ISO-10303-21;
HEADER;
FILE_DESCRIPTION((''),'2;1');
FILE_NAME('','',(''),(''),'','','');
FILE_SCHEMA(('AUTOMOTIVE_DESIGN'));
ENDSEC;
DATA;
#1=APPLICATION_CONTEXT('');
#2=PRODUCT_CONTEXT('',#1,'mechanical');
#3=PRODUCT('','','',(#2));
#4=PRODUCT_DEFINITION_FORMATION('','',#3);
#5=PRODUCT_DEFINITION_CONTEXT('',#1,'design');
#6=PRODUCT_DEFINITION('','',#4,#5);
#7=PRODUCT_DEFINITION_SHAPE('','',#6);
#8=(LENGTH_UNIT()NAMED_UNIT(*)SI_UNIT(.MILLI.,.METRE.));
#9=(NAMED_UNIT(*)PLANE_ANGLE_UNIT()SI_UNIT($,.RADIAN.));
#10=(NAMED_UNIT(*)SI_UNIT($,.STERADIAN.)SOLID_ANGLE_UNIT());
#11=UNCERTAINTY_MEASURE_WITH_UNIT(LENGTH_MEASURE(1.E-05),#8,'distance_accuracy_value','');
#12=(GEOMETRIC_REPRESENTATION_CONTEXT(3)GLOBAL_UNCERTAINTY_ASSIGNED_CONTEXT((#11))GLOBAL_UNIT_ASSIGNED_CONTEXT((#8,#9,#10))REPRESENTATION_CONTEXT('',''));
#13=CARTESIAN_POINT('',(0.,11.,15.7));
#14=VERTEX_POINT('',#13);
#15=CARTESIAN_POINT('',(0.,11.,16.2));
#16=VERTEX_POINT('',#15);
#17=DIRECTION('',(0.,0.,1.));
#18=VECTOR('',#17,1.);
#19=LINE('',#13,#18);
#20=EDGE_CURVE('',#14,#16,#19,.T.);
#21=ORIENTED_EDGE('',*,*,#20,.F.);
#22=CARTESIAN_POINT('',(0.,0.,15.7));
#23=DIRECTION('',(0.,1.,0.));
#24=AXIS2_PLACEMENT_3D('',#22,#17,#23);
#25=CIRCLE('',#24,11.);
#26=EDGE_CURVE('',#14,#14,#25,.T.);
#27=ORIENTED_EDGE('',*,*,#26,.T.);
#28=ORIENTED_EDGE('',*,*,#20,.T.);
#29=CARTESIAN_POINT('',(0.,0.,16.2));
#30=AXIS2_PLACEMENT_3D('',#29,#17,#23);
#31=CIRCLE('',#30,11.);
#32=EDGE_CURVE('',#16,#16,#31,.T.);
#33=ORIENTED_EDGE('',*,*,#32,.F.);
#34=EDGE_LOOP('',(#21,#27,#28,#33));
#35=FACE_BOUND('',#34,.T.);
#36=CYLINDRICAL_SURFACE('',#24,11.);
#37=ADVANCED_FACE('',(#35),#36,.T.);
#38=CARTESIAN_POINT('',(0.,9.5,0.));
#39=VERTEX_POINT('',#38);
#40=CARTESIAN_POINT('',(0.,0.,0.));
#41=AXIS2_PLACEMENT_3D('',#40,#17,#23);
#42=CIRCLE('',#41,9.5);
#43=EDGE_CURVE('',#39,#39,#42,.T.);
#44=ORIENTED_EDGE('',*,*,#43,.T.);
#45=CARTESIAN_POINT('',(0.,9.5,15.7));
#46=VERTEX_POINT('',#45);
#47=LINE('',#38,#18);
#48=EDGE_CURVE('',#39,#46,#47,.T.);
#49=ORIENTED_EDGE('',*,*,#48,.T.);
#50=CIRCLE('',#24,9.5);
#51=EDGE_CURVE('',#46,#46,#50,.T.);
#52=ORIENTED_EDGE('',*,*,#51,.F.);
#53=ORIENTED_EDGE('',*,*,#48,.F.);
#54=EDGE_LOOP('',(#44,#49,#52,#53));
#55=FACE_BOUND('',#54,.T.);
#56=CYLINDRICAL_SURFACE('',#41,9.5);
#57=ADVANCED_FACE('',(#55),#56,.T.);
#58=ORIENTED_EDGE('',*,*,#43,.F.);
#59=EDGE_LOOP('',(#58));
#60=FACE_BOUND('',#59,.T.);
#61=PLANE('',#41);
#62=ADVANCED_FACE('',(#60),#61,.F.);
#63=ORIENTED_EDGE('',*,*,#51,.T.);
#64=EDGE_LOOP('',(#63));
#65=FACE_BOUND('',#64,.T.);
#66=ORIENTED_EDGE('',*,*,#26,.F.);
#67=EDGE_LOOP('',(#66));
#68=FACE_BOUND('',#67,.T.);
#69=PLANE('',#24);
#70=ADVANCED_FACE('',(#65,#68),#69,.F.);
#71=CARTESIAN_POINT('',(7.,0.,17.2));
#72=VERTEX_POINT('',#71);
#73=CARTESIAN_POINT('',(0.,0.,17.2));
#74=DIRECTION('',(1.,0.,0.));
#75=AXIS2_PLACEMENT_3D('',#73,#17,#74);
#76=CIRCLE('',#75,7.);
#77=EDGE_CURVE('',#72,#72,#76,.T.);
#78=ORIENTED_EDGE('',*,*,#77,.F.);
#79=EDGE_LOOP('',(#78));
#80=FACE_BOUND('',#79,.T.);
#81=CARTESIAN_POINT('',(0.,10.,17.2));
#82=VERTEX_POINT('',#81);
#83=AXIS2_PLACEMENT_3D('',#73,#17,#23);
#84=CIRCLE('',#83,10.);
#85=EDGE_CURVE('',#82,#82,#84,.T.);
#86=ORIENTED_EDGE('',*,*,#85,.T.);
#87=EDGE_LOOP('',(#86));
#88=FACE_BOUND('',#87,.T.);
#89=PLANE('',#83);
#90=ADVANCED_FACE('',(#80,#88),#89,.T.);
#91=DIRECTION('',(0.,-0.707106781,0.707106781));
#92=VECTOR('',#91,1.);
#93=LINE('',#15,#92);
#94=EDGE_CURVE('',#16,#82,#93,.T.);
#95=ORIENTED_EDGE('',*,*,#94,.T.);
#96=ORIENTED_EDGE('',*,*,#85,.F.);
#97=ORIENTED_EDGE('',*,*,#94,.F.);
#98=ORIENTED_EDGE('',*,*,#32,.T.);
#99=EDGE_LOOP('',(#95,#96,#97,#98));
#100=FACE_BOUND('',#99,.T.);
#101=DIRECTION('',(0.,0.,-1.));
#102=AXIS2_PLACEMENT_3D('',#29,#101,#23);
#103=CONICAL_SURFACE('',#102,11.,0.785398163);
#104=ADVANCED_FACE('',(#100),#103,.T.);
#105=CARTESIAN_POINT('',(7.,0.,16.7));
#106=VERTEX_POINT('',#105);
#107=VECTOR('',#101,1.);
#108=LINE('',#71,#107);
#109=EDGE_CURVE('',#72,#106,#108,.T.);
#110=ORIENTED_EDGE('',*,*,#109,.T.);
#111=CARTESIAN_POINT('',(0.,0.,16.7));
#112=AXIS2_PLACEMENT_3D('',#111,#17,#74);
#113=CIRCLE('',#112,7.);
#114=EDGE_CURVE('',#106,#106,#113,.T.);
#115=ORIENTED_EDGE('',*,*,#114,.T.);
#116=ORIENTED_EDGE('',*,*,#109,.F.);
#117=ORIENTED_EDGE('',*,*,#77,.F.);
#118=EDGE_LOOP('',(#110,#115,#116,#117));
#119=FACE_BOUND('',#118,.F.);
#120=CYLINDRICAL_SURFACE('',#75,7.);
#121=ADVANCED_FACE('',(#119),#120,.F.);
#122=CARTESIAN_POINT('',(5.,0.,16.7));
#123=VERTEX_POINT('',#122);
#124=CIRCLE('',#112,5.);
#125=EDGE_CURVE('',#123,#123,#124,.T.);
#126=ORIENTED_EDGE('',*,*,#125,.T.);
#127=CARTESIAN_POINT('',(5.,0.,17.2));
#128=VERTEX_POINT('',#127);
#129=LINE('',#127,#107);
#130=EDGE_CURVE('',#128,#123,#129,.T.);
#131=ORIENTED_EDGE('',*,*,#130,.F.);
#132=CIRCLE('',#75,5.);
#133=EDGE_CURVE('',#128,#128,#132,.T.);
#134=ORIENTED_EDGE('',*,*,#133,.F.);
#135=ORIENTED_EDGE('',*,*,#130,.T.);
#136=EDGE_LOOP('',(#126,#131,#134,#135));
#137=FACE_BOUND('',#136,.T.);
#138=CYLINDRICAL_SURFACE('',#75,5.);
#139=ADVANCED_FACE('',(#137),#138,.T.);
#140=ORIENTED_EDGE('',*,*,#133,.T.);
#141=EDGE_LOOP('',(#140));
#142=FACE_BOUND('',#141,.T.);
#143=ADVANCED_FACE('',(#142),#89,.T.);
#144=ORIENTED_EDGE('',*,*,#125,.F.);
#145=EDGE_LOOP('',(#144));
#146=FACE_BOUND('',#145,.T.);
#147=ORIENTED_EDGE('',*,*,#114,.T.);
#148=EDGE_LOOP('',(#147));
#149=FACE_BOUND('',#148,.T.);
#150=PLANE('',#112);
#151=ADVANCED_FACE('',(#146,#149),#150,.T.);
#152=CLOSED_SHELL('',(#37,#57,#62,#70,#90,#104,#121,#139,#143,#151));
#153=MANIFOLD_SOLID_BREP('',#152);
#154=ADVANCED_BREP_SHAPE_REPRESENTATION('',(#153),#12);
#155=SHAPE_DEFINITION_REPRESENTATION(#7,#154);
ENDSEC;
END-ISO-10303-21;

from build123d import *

# Parameters (mm, degrees)
F2_R     = 7
F2_R_2   = 5
F3_DEPTH = 0.5


with BuildPart() as f1:
    # F0 (on Right) → F1 (revolve)
    with BuildSketch(Plane.YZ):
        Polygon((0, 17.2), (0, 0), (9.5, 0), (9.5, 15.7), (11, 15.7), (11, 16.2), (10, 17.2), align=None)
    revolve(axis=Axis((0, 0, 8.6), (0, 0, 1)))

    # F2 (on face) → F3 (cut)
    with BuildSketch(Plane.XY.offset(17.2)):
        Circle(F2_R)
        Circle(F2_R_2, mode=Mode.SUBTRACT)
    extrude(amount=-F3_DEPTH, mode=Mode.SUBTRACT)


solid = f1.part
